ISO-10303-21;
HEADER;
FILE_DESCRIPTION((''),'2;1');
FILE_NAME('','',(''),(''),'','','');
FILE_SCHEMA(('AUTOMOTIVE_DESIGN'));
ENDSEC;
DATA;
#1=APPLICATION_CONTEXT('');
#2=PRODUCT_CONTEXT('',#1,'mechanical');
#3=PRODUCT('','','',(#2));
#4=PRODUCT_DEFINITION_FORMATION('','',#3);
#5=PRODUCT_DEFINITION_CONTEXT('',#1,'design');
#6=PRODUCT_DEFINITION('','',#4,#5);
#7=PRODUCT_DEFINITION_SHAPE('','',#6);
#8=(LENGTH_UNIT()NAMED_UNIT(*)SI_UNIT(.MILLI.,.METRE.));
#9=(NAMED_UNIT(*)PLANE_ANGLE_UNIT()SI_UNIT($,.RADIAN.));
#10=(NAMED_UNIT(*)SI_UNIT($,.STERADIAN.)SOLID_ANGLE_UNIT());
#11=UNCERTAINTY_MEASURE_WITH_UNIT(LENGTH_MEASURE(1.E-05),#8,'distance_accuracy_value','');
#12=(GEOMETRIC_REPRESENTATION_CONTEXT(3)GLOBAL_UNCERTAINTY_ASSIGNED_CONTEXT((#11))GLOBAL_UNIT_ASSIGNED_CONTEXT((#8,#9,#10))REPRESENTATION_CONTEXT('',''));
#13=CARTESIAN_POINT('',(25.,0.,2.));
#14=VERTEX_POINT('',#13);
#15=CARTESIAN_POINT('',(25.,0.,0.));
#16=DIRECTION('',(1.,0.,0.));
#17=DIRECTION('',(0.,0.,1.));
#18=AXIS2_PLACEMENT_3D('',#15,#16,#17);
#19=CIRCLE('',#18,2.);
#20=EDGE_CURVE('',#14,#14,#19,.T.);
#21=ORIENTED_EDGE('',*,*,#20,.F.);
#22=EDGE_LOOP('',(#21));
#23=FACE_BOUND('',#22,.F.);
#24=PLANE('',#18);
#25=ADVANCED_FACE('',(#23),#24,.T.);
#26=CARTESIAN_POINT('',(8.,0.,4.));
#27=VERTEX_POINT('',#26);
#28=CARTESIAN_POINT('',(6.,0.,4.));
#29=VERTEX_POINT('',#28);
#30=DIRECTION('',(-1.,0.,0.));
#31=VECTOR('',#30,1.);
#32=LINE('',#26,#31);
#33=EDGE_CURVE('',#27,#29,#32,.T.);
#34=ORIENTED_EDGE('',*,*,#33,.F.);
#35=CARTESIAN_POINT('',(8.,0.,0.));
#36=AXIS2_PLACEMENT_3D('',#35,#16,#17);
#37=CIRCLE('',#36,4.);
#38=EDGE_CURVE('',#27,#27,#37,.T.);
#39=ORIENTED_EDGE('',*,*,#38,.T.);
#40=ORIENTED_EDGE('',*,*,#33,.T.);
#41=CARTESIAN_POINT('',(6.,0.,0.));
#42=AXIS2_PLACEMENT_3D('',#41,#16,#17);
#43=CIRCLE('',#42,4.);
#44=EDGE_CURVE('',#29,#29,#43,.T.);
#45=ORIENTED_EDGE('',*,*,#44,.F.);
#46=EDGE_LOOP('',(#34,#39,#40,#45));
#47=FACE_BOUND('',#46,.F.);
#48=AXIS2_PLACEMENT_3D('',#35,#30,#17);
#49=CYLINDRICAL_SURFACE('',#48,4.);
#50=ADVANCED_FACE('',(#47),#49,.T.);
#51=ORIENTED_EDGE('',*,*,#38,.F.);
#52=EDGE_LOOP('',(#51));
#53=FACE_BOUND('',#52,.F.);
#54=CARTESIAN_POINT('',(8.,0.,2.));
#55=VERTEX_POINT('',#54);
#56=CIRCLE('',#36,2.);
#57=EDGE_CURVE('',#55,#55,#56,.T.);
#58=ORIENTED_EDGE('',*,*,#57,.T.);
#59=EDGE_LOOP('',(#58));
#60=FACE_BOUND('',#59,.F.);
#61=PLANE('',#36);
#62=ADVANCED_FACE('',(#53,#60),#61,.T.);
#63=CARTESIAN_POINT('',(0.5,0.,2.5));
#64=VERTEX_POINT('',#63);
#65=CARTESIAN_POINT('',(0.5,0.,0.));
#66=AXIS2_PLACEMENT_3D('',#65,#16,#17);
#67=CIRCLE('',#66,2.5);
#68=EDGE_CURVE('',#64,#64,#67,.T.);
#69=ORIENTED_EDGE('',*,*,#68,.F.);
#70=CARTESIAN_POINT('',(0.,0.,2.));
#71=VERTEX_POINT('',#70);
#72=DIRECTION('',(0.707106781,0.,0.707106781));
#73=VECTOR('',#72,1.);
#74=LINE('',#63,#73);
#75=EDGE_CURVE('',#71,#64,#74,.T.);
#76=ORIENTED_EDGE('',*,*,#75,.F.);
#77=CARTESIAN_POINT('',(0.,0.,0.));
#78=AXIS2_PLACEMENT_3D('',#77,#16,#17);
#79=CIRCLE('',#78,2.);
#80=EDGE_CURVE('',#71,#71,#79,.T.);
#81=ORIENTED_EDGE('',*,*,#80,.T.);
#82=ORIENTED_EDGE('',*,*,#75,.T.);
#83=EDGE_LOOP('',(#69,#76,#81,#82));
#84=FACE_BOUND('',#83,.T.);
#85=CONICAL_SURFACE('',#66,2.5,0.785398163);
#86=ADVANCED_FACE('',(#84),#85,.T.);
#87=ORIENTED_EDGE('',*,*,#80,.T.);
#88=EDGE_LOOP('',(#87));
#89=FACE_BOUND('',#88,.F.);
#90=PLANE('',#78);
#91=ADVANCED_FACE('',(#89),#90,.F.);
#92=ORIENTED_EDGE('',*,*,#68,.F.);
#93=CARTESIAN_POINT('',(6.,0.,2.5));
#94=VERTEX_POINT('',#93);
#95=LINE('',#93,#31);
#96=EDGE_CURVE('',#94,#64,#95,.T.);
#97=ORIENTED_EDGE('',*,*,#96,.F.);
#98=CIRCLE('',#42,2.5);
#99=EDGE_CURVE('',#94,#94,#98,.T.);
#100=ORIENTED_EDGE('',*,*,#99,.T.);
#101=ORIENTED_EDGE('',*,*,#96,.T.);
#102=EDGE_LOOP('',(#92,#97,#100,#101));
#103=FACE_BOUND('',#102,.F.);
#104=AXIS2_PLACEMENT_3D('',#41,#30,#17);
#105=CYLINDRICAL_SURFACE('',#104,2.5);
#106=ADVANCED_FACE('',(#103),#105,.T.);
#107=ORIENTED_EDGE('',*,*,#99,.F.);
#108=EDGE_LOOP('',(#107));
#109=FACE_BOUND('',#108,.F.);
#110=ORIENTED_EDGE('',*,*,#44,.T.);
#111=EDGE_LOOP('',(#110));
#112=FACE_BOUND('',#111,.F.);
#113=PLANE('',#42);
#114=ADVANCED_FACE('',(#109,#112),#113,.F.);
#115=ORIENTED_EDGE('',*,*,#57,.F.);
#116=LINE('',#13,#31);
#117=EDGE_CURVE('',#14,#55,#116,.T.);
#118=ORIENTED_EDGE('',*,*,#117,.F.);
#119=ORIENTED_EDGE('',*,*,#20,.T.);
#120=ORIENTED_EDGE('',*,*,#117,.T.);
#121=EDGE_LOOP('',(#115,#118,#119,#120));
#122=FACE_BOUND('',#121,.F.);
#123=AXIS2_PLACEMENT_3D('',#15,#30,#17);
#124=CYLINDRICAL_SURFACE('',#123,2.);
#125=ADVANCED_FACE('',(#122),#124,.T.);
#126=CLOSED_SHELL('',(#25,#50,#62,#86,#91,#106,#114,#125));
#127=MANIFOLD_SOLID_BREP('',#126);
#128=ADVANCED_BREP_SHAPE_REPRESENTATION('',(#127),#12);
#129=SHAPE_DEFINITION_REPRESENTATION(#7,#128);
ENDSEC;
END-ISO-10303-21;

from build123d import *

# Parameters (mm, degrees)
F2_SIZE = 0.5


with BuildPart() as f1:
    # F0 (on Front) → F1 (revolve)
    with BuildSketch(Plane.XZ):
        Polygon((0, 2.5), (0, 0), (25, 0), (25, 2), (8, 2), (8, 4), (6, 4), (6, 2.5), align=None)
    revolve(axis=Axis((12.5, 0, 0), (1, 0, 0)))

    # F2
    f2_edges = [f1.edges().sort_by_distance(p)[0] for p in [
        (0, 0, -2.5),
    ]]
    chamfer(f2_edges, length=F2_SIZE)


solid = f1.part
